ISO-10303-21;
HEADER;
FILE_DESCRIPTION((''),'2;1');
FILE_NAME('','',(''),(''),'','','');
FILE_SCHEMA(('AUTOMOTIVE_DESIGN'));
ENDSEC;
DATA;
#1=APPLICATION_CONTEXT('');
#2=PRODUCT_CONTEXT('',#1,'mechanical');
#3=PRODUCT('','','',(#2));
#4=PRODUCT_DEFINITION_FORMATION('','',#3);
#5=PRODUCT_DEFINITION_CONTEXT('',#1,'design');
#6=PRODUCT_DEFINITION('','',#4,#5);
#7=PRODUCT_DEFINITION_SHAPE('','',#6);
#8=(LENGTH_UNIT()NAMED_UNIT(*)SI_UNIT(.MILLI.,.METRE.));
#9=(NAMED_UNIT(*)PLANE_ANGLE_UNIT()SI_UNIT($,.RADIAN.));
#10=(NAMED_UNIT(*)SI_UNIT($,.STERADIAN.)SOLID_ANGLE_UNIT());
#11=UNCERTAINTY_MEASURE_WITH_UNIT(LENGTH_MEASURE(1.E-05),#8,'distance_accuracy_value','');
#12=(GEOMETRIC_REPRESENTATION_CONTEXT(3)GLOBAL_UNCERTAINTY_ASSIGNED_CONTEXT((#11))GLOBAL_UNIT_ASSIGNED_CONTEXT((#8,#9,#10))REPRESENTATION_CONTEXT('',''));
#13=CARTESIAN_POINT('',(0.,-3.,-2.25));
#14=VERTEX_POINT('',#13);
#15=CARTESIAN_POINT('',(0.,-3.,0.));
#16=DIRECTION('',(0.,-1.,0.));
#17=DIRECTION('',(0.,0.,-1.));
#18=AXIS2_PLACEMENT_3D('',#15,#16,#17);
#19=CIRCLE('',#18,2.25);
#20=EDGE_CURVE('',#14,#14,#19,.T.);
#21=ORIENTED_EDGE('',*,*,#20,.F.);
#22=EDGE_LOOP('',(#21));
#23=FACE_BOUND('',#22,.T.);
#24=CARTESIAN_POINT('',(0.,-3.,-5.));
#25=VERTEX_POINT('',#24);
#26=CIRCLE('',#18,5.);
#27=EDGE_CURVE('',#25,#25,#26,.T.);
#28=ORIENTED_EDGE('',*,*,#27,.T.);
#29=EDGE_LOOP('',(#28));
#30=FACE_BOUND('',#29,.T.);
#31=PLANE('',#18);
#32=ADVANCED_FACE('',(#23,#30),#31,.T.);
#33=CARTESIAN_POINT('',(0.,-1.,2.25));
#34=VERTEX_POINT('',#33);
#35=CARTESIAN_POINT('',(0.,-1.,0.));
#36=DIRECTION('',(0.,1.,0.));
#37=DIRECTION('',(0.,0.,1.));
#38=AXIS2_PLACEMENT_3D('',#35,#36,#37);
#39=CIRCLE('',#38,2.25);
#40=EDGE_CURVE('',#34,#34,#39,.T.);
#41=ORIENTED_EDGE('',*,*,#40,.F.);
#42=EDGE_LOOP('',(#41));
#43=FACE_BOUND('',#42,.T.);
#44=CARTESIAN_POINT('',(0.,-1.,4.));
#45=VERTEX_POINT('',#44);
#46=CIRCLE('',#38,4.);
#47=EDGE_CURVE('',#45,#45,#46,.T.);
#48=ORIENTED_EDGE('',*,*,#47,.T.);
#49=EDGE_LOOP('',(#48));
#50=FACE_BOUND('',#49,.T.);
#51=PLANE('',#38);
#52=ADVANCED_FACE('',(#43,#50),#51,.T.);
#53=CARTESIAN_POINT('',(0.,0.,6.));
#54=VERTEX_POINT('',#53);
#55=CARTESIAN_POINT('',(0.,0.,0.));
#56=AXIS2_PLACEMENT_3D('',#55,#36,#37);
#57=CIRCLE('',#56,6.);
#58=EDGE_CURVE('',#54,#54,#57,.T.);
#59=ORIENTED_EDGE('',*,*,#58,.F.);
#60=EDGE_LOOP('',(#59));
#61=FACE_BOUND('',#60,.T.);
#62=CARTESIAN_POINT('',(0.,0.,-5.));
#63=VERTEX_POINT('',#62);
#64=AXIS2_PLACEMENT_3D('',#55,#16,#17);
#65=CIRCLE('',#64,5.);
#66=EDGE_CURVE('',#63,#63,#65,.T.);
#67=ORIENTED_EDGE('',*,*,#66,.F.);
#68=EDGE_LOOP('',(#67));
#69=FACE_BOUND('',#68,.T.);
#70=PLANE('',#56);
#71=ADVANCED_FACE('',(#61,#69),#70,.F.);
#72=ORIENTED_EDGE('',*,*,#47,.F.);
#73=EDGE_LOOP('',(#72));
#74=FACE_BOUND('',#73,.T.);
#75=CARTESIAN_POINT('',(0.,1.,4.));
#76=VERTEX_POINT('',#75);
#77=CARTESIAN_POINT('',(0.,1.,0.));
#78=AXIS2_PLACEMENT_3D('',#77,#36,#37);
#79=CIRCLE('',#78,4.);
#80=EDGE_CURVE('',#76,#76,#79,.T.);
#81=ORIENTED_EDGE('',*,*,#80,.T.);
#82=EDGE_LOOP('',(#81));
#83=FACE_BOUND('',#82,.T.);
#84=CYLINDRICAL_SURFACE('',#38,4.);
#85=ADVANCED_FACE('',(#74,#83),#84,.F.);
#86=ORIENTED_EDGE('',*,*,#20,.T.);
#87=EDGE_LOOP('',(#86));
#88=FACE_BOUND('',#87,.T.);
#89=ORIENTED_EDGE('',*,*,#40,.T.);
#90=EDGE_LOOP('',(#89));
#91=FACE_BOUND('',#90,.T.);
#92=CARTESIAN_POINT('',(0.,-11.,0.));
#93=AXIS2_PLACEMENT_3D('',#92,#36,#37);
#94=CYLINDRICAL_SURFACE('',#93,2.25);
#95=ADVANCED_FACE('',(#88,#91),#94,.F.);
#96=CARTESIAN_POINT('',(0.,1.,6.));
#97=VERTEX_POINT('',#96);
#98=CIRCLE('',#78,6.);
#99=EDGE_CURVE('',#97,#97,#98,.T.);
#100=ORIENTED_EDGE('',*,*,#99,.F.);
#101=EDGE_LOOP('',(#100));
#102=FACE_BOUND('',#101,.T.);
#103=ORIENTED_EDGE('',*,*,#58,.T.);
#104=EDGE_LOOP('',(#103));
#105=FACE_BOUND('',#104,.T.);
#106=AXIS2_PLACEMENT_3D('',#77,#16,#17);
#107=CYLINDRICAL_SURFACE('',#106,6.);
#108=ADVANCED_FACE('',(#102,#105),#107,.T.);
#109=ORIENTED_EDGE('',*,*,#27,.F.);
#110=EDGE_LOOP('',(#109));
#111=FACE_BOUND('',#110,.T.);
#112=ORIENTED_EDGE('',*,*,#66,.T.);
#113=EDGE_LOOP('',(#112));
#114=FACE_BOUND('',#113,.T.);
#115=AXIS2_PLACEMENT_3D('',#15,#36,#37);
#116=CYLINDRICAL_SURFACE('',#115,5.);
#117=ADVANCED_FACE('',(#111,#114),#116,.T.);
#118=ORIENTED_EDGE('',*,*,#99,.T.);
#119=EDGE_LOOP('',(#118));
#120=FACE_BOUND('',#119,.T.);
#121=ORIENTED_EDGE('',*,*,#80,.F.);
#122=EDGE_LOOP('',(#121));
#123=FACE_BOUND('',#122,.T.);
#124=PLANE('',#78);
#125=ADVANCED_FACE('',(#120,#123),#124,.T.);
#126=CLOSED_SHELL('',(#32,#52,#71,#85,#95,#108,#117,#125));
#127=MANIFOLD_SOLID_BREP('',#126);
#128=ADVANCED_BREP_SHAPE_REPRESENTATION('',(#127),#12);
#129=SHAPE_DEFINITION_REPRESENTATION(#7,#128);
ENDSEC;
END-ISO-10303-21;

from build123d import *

# Parameters (mm, degrees)
SKETCH_1_R          = 6
EXTRUDE_1_DEPTH     = 1
SKETCH_2_R          = 5
EXTRUDE_2_DEPTH     = 3
SKETCH_3_R          = 4
CUT_EXTRUDE_1_DEPTH = 2
SKETCH_4_R          = 2.25
CUT_EXTRUDE_2_DEPTH = 10


with BuildPart() as part:
    # 草图1 → 凸台-拉伸1 (new body)
    with BuildSketch(Plane(origin=(0, 0, 0), x_dir=(1, 0, 0), z_dir=(0, 1, 0))):
        Circle(SKETCH_1_R)
    extrude(amount=EXTRUDE_1_DEPTH)

    # 草图2 → 凸台-拉伸2 (add)
    with BuildSketch(Plane.XZ):
        Circle(SKETCH_2_R)
    extrude(amount=EXTRUDE_2_DEPTH)

    # 草图3 → 切除-拉伸1 (cut)
    with BuildSketch(Plane(origin=(0, 1, 0), x_dir=(1, 0, 0), z_dir=(0, 1, 0))):
        Circle(SKETCH_3_R)
    extrude(amount=-CUT_EXTRUDE_1_DEPTH, mode=Mode.SUBTRACT)

    # 草图4 → 切除-拉伸2 (cut)
    with BuildSketch(Plane(origin=(0, -1, 0), x_dir=(1, 0, 0), z_dir=(0, 1, 0))):
        Circle(SKETCH_4_R)
    extrude(amount=-CUT_EXTRUDE_2_DEPTH, mode=Mode.SUBTRACT)


solid = part.part
